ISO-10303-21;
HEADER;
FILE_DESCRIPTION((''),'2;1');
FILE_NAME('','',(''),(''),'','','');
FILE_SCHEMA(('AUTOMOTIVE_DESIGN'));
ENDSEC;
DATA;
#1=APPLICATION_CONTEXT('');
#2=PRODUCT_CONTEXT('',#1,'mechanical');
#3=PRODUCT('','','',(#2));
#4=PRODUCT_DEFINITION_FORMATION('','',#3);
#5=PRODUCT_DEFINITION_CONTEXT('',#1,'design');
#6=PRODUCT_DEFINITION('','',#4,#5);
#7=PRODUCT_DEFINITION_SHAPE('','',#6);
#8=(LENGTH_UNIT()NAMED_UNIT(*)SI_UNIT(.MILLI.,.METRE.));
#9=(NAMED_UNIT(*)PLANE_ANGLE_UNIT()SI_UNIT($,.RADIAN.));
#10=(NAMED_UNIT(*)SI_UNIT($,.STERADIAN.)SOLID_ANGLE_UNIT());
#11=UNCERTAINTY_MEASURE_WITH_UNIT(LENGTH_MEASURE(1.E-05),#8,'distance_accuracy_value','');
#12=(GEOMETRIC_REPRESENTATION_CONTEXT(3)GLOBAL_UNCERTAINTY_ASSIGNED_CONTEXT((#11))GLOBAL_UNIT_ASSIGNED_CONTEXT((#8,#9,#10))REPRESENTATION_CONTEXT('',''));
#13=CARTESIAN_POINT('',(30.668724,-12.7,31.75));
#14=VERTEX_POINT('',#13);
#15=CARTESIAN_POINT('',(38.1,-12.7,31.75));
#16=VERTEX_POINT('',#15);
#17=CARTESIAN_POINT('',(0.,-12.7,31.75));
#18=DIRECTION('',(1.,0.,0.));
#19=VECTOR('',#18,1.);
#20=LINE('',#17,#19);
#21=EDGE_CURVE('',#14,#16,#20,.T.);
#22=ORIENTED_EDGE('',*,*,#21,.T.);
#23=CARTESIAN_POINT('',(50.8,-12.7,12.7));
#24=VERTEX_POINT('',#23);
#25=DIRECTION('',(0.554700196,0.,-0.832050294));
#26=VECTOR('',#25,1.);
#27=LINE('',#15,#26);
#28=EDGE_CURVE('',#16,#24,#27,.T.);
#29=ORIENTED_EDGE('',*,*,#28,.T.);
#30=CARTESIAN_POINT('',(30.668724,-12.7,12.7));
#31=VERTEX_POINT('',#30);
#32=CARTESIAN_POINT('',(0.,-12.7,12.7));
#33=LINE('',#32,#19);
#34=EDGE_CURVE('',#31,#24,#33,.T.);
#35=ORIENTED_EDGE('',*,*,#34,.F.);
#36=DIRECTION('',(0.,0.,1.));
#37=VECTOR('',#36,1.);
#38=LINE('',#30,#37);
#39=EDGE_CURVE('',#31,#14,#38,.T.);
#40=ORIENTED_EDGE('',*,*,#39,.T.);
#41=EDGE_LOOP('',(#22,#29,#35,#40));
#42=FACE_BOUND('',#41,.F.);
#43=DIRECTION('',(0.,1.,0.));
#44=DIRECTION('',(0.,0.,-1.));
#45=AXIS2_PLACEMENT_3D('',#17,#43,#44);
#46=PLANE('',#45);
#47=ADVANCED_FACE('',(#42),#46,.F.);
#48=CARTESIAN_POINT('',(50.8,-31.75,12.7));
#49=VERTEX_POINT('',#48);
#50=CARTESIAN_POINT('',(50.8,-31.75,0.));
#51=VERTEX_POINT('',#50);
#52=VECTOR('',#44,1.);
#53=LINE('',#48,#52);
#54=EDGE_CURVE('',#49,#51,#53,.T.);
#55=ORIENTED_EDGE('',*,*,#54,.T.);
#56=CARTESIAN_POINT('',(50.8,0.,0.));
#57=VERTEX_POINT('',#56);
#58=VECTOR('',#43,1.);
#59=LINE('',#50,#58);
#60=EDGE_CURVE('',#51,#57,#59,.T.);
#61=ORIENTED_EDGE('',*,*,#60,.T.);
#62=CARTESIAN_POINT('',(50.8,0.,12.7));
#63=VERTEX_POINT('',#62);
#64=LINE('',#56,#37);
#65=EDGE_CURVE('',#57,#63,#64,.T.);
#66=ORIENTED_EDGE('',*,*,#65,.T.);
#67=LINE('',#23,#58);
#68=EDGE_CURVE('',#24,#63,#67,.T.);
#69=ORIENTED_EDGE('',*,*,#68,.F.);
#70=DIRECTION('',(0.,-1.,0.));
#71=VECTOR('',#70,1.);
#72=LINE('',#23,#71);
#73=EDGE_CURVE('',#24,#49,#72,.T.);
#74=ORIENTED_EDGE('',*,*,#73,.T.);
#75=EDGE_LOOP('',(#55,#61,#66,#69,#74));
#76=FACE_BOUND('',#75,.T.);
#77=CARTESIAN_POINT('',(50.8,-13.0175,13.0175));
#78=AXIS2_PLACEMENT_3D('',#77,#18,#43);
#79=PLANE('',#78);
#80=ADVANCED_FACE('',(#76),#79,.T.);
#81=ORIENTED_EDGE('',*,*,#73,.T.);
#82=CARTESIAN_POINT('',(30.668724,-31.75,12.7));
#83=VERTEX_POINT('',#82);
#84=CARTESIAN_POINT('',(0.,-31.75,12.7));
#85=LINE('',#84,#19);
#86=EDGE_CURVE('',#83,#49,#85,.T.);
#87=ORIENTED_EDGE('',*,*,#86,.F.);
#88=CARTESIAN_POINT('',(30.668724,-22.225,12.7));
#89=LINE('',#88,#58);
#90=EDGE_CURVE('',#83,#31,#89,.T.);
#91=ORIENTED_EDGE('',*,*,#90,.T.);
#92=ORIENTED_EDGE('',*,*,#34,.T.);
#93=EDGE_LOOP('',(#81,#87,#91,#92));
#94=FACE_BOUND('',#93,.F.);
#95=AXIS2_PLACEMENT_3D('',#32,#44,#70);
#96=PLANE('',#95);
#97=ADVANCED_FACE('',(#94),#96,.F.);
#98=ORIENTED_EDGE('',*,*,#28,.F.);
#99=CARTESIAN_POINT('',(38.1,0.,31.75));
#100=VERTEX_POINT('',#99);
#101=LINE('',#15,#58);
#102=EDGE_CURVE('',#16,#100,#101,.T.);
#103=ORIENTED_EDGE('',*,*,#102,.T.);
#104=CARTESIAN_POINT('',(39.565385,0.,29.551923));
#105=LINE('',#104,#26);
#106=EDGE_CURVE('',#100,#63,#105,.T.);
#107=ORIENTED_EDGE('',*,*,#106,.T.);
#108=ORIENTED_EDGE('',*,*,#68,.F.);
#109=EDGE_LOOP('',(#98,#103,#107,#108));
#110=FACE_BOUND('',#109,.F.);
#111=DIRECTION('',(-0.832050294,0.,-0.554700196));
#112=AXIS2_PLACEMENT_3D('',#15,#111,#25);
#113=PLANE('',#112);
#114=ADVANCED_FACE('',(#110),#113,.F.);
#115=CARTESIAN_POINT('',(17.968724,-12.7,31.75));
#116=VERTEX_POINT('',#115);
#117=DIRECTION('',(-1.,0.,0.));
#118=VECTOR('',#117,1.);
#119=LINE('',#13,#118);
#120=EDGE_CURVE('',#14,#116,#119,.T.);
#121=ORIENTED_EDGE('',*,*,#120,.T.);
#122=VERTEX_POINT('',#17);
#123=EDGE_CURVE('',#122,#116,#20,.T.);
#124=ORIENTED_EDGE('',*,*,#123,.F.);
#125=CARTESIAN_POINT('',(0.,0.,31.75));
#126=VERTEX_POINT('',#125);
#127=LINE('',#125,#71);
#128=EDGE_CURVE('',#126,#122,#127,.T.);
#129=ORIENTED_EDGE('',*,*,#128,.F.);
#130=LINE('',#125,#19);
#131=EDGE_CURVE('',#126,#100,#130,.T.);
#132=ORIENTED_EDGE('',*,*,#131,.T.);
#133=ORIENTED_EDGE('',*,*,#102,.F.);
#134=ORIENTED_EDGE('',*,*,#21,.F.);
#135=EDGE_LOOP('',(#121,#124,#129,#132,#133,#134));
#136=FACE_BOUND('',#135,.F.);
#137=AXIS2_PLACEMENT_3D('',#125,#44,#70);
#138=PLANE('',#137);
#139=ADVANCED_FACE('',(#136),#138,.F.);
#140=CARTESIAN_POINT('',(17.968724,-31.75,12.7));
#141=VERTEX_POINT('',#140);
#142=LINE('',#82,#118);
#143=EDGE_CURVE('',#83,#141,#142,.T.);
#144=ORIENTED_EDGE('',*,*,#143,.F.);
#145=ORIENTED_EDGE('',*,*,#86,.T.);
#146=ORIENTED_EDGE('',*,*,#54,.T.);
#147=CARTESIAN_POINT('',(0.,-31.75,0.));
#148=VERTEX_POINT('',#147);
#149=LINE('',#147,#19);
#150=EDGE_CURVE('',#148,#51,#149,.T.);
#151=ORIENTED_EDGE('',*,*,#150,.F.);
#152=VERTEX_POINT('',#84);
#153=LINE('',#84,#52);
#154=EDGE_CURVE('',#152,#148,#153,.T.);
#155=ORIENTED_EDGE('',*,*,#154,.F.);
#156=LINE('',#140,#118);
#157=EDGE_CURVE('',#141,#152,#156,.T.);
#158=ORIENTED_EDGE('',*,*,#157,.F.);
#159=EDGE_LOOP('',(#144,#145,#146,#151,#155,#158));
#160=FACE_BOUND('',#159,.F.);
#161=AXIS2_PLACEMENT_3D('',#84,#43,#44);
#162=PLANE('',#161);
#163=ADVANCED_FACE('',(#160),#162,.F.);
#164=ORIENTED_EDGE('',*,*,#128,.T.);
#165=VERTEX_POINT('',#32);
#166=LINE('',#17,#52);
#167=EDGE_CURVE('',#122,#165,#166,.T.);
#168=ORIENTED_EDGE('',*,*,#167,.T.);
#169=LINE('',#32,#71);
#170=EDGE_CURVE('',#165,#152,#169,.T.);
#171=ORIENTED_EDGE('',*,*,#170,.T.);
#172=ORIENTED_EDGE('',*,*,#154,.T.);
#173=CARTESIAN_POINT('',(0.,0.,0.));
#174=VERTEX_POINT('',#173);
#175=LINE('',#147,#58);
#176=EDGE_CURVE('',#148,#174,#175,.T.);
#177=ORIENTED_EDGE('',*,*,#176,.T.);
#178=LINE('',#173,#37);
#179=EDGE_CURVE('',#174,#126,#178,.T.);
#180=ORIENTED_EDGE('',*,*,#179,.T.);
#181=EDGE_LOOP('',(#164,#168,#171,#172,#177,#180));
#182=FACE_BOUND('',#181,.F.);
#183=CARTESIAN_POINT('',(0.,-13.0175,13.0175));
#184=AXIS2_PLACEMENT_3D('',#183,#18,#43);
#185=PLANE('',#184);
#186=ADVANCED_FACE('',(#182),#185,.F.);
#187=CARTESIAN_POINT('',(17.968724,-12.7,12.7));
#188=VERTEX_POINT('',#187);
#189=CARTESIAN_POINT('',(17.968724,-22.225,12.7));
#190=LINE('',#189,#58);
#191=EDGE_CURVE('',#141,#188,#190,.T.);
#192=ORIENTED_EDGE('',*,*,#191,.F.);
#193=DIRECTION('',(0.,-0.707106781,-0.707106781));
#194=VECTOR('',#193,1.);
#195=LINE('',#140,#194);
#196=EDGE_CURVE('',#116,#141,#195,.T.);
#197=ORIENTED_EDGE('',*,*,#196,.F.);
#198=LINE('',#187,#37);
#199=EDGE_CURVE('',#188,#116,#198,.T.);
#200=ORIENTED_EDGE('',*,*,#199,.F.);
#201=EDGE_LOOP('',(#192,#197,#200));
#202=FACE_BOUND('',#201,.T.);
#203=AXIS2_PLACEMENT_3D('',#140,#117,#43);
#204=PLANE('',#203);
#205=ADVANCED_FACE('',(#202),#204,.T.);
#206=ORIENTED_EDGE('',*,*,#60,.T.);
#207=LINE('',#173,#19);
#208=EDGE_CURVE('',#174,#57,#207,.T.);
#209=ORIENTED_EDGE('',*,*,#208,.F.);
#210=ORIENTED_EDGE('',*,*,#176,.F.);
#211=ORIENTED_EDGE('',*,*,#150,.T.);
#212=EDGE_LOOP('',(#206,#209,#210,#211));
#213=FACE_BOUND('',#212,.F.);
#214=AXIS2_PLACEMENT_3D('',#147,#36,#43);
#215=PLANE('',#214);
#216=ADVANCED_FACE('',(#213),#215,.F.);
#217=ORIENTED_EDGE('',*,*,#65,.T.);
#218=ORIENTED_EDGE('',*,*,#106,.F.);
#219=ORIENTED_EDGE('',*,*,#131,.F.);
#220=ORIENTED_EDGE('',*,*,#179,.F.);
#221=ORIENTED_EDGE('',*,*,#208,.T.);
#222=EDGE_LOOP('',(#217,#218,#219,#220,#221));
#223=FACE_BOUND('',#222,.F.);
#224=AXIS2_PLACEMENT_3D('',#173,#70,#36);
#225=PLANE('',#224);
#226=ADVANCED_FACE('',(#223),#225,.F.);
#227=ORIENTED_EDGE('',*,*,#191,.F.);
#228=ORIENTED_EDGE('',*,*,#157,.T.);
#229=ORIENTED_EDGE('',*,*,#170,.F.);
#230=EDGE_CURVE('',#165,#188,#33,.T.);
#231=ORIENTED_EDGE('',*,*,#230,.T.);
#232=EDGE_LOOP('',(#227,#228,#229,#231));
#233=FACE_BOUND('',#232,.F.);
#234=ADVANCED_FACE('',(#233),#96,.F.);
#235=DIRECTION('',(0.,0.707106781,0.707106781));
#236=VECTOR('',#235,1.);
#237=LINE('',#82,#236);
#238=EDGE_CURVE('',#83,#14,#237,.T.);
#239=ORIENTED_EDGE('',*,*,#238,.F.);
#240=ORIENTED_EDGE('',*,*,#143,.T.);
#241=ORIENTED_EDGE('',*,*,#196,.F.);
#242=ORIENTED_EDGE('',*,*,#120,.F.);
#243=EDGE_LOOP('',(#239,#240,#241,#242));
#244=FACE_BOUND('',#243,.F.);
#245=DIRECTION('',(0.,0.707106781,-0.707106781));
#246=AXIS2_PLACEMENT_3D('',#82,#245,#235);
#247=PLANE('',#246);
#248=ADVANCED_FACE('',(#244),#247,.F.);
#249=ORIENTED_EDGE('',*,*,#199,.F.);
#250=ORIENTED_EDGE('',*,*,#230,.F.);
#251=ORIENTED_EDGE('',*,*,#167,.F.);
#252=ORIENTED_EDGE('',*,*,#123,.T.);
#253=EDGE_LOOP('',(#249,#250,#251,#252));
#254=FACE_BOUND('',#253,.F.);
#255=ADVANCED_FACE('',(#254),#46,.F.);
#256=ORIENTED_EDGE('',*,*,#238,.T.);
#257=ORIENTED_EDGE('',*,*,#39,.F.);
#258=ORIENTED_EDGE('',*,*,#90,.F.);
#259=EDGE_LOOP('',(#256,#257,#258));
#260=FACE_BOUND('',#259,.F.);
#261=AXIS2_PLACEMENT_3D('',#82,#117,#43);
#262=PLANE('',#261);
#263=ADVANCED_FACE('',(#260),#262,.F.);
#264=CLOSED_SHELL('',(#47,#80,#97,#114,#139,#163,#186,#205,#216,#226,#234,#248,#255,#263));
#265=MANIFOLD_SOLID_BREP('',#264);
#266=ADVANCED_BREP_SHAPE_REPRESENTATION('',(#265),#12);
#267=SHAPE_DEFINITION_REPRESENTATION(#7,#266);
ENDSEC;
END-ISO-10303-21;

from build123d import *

# Parameters (mm, degrees)
F1_DEPTH = 50.8
F3_DEPTH = 37.084
F4_W     = 12.7
F4_H     = 19.05
F5_DEPTH = 19.05
F7_DEPTH = 25.4


with BuildPart() as f1:
    # F0 (on Right) → F1 (new body)
    with BuildSketch(Plane.YZ):
        Polygon((-31.75, 0), (0, 0), (0, 31.75), (-12.7, 31.75), (-12.7, 12.7), (-31.75, 12.7), align=None)
    extrude(amount=F1_DEPTH)

    # F2 (on face) → F3 (cut)
    with BuildSketch(Plane.XZ.offset(12.7)):
        Polygon((38.1, 31.75), (50.8, 12.7), (50.8, 31.75), align=None)
    extrude(amount=-F3_DEPTH, mode=Mode.SUBTRACT)

    # F4 (on face) → F5 (join)
    with BuildSketch(Plane.XY.offset(12.7)):
        with Locations((24.318724, -22.225)):
            Rectangle(F4_W, F4_H)
    extrude(amount=F5_DEPTH)

    # F6 (on face) → F7 (cut)
    with BuildSketch(Plane.YZ.offset(30.668724)):
        Polygon((-31.75, 31.75), (-31.75, 12.7), (-12.7, 31.75), align=None)
    extrude(amount=-F7_DEPTH, mode=Mode.SUBTRACT)


solid = f1.part
